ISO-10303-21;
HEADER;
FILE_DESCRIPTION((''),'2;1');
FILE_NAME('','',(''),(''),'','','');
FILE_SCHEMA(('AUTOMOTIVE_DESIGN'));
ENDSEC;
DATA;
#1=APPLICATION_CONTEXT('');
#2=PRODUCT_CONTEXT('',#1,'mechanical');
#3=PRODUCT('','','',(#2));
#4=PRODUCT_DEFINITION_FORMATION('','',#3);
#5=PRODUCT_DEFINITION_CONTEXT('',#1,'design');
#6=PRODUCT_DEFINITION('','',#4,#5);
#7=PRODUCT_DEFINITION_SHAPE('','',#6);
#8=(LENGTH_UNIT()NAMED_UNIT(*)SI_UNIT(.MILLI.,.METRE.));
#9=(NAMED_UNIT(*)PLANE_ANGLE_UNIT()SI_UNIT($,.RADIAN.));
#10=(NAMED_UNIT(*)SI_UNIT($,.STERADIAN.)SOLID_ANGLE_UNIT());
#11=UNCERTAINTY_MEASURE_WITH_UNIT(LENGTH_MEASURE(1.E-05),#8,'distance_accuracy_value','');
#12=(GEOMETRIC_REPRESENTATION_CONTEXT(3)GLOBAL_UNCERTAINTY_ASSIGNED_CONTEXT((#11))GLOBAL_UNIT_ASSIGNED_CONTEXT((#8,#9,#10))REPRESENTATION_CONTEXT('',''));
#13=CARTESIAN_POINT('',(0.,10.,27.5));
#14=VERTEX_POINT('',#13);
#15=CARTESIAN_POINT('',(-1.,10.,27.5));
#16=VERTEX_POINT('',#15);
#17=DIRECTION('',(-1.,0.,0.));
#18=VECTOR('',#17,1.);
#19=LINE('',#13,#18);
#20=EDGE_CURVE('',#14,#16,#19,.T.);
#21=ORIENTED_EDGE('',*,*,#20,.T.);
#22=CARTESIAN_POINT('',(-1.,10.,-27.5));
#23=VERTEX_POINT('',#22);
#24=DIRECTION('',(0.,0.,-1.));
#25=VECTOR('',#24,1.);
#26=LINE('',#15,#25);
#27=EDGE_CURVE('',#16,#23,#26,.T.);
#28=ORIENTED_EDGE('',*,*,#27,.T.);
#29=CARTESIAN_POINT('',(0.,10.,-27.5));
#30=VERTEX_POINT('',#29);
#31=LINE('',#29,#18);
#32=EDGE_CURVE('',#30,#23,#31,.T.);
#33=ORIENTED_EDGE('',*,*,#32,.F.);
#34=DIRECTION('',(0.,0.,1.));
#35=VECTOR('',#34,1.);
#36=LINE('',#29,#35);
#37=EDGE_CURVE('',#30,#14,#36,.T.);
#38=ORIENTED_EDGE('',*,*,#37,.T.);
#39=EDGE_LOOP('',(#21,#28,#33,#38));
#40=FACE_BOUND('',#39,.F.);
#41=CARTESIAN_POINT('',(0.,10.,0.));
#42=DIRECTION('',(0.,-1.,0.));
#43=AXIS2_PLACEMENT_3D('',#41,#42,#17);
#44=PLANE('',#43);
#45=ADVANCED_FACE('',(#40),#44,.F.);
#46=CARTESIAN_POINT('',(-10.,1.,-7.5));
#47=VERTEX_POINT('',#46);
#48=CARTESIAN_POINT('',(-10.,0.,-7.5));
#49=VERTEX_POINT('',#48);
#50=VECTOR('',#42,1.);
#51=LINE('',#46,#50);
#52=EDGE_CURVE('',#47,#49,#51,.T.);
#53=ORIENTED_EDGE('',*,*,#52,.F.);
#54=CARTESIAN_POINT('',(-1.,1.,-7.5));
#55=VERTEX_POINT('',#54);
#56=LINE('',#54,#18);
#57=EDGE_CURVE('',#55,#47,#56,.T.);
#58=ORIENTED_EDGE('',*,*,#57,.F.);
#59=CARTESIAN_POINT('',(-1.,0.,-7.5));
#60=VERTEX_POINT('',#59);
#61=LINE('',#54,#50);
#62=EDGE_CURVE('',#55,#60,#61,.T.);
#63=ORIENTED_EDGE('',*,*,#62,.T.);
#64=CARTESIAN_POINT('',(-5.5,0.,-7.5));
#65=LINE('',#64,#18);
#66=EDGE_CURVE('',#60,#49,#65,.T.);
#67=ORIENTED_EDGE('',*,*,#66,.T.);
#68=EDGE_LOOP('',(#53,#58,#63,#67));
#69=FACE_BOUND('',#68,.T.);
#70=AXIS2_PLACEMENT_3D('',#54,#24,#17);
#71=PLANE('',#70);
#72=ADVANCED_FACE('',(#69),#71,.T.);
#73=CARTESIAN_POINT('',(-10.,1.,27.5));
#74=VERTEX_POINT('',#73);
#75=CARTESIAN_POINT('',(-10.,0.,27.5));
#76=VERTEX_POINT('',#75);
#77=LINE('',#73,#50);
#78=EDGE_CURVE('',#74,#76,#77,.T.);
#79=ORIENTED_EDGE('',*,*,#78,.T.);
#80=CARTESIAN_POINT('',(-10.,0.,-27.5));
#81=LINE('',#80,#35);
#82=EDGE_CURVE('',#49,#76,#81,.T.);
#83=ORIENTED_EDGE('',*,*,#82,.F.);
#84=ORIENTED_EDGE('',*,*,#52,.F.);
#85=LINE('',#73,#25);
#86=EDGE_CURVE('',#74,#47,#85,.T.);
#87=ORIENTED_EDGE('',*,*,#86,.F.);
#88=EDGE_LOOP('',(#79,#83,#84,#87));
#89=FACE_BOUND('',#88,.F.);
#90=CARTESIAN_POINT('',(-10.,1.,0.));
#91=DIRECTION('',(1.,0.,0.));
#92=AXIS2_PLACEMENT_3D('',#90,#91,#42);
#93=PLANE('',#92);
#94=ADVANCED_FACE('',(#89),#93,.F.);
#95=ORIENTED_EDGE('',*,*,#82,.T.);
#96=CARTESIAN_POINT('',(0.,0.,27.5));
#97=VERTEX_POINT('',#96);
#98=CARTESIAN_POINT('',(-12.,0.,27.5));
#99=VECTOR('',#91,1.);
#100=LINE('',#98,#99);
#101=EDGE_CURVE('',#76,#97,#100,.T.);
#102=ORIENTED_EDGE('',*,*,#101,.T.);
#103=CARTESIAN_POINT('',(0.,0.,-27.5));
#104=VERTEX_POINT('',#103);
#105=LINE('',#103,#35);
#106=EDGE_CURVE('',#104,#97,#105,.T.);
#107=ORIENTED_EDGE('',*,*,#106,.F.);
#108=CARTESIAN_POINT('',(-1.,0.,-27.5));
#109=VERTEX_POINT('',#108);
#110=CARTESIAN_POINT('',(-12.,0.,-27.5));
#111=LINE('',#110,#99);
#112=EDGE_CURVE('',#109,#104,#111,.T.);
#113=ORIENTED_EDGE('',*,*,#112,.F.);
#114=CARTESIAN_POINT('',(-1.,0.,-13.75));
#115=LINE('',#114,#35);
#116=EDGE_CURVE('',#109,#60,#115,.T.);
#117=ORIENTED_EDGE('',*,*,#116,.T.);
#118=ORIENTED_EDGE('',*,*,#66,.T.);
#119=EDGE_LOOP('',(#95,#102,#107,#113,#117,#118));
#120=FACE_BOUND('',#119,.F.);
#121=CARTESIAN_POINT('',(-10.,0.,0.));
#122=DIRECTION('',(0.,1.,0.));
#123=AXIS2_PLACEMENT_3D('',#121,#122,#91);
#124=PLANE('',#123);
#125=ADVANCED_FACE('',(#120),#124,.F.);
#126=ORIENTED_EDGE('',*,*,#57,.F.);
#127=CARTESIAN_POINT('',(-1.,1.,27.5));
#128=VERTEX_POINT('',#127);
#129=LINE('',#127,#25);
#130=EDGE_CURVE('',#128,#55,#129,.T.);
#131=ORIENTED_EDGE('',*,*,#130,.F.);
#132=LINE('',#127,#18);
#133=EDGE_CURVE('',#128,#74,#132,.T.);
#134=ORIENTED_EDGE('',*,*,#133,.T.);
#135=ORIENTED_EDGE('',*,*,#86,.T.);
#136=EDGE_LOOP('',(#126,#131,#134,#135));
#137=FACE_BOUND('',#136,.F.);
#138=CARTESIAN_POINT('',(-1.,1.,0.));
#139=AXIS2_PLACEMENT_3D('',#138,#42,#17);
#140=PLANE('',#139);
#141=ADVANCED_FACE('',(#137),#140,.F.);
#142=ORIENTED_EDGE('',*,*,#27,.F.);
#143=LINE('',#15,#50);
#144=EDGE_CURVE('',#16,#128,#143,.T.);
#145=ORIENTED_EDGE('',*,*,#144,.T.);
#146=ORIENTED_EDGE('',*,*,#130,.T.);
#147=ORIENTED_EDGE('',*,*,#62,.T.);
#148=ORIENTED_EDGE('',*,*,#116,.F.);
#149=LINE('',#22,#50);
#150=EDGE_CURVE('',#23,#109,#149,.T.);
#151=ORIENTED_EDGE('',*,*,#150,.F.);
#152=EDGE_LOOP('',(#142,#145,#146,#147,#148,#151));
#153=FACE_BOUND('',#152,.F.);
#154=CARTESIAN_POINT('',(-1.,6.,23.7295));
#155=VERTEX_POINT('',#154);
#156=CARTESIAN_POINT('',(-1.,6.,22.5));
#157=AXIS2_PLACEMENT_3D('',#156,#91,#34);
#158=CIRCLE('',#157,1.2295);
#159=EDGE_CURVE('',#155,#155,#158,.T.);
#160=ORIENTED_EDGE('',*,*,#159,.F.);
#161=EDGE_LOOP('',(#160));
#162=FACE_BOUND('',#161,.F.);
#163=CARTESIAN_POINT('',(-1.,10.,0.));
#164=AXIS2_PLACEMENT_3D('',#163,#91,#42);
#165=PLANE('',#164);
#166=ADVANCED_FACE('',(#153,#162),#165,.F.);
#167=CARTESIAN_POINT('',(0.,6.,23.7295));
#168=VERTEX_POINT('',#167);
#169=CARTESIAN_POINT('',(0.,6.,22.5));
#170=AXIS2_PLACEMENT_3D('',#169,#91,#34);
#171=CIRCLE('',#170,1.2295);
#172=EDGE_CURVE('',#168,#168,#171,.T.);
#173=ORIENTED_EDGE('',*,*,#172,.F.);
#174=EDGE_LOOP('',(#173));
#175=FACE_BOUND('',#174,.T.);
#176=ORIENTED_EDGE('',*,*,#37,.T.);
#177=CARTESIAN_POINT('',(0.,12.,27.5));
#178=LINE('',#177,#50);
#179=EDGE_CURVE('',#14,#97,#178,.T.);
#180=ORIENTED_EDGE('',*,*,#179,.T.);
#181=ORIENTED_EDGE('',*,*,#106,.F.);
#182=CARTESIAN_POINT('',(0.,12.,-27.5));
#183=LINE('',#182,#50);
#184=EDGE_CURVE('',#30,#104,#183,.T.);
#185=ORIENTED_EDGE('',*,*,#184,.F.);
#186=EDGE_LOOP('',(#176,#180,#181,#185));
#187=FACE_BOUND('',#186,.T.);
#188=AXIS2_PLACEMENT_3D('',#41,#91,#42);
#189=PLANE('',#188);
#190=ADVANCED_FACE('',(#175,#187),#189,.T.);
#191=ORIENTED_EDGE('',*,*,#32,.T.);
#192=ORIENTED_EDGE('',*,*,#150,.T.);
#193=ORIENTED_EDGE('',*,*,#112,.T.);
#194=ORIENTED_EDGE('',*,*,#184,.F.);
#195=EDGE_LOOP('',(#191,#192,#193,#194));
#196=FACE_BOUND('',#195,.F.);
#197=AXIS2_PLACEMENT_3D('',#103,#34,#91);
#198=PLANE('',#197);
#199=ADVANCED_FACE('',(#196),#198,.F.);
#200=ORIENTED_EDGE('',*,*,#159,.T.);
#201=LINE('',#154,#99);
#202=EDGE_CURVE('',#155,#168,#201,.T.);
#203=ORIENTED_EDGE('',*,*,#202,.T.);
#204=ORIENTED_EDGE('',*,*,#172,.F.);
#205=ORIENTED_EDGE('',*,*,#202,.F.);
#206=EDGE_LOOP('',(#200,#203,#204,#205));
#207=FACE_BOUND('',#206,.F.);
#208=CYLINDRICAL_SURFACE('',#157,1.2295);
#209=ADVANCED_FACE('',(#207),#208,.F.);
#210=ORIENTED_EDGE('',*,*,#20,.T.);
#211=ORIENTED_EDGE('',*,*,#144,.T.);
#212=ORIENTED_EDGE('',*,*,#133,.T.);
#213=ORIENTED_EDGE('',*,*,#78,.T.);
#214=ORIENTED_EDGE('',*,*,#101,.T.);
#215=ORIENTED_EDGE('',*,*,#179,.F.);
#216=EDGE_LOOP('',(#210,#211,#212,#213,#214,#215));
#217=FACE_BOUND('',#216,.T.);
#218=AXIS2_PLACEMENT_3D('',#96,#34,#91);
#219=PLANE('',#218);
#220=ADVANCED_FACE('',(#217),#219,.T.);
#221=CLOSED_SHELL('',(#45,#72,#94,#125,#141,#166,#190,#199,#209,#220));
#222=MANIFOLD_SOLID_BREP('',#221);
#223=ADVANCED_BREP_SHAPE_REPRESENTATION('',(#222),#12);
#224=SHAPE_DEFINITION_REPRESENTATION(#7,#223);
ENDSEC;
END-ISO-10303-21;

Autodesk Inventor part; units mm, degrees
ref_plane "YZ Plane" through (0, 0, 0) normal (1, 0, 0) x (0, 1, 0)
ref_plane "XZ Plane" through (0, 0, 0) normal (0, 1, 0) x (-1, 0, 0)
ref_plane "XY Plane" through (0, 0, 0) normal (0, 0, 1) x (1, 0, 0)
sketch "Náčrt1" plane through (0, 0, 0) normal (0, 0, 1) x (1, 0, 0)
  line L0 (-12, 0) -> (2, 0) projected
  line L1 (0, 12) -> (0, -2) projected
  line L2 (0, 0) -> (0, 10)
  line L3 (0, 10) -> (-1, 10)
  line L4 (-1, 10) -> (-1, 1)
  line L5 (-1, 1) -> (-10, 1)
  line L6 (-10, 1) -> (-10, 0)
  line L7 (-10, 0) -> (0, 0)
  dimension "d0" = 10
  dimension "d1" = 1
  dimension "d2" = 9
  dimension "d3" = 9
extrude "Vysunutí1" add sketch "Náčrt1" along normal mid plane 55
sketch "Náčrt2" plane through (-1, 1, 27.5) normal (-1, 0, 0) x (0, 0, 1)
  line L0 (-55, 0) -> (0, 0) projected
  line L1 (0, 9) -> (0, 0) projected
  line L2 (-55, 9) -> (0, 9) projected
  line L3 (-55, 0) -> (-55, 9) projected
  point P0 (-27.5, -1)
  point P1 (-5, 5)
  dimension "d6" = 5
  dimension "d7" = 5
hole "Díra1" at (-1, 6, 22.5) direction (1, 0, 0) diameter 2.459 end through all thread size "M3x0.5" class "6H" standard "ISO Metric profile"
sketch "Náčrt3" plane through (-10, 1, 27.5) normal (0, 1, 0) x (1, 0, 0)
  line L0 (0, 0) -> (0, 55) projected
  line L1 (9, 0) -> (0, 0) projected
  line L2 (9, 55) -> (9, 0) projected
  line L3 (0, 55) -> (9, 55) projected
  line L4 (0, 55) -> (9, 55)
  line L5 (9, 55) -> (9, 35)
  line L6 (9, 35) -> (0, 35)
  line L7 (0, 35) -> (0, 55)
  point P0 (10, 27.5)
  dimension "d15" = 20
extrude "Vysunutí2" cut sketch "Náčrt3" against normal through all contours L0 L3 L2 L6
properties part number "lift_tab" material "Hliník 6061"
